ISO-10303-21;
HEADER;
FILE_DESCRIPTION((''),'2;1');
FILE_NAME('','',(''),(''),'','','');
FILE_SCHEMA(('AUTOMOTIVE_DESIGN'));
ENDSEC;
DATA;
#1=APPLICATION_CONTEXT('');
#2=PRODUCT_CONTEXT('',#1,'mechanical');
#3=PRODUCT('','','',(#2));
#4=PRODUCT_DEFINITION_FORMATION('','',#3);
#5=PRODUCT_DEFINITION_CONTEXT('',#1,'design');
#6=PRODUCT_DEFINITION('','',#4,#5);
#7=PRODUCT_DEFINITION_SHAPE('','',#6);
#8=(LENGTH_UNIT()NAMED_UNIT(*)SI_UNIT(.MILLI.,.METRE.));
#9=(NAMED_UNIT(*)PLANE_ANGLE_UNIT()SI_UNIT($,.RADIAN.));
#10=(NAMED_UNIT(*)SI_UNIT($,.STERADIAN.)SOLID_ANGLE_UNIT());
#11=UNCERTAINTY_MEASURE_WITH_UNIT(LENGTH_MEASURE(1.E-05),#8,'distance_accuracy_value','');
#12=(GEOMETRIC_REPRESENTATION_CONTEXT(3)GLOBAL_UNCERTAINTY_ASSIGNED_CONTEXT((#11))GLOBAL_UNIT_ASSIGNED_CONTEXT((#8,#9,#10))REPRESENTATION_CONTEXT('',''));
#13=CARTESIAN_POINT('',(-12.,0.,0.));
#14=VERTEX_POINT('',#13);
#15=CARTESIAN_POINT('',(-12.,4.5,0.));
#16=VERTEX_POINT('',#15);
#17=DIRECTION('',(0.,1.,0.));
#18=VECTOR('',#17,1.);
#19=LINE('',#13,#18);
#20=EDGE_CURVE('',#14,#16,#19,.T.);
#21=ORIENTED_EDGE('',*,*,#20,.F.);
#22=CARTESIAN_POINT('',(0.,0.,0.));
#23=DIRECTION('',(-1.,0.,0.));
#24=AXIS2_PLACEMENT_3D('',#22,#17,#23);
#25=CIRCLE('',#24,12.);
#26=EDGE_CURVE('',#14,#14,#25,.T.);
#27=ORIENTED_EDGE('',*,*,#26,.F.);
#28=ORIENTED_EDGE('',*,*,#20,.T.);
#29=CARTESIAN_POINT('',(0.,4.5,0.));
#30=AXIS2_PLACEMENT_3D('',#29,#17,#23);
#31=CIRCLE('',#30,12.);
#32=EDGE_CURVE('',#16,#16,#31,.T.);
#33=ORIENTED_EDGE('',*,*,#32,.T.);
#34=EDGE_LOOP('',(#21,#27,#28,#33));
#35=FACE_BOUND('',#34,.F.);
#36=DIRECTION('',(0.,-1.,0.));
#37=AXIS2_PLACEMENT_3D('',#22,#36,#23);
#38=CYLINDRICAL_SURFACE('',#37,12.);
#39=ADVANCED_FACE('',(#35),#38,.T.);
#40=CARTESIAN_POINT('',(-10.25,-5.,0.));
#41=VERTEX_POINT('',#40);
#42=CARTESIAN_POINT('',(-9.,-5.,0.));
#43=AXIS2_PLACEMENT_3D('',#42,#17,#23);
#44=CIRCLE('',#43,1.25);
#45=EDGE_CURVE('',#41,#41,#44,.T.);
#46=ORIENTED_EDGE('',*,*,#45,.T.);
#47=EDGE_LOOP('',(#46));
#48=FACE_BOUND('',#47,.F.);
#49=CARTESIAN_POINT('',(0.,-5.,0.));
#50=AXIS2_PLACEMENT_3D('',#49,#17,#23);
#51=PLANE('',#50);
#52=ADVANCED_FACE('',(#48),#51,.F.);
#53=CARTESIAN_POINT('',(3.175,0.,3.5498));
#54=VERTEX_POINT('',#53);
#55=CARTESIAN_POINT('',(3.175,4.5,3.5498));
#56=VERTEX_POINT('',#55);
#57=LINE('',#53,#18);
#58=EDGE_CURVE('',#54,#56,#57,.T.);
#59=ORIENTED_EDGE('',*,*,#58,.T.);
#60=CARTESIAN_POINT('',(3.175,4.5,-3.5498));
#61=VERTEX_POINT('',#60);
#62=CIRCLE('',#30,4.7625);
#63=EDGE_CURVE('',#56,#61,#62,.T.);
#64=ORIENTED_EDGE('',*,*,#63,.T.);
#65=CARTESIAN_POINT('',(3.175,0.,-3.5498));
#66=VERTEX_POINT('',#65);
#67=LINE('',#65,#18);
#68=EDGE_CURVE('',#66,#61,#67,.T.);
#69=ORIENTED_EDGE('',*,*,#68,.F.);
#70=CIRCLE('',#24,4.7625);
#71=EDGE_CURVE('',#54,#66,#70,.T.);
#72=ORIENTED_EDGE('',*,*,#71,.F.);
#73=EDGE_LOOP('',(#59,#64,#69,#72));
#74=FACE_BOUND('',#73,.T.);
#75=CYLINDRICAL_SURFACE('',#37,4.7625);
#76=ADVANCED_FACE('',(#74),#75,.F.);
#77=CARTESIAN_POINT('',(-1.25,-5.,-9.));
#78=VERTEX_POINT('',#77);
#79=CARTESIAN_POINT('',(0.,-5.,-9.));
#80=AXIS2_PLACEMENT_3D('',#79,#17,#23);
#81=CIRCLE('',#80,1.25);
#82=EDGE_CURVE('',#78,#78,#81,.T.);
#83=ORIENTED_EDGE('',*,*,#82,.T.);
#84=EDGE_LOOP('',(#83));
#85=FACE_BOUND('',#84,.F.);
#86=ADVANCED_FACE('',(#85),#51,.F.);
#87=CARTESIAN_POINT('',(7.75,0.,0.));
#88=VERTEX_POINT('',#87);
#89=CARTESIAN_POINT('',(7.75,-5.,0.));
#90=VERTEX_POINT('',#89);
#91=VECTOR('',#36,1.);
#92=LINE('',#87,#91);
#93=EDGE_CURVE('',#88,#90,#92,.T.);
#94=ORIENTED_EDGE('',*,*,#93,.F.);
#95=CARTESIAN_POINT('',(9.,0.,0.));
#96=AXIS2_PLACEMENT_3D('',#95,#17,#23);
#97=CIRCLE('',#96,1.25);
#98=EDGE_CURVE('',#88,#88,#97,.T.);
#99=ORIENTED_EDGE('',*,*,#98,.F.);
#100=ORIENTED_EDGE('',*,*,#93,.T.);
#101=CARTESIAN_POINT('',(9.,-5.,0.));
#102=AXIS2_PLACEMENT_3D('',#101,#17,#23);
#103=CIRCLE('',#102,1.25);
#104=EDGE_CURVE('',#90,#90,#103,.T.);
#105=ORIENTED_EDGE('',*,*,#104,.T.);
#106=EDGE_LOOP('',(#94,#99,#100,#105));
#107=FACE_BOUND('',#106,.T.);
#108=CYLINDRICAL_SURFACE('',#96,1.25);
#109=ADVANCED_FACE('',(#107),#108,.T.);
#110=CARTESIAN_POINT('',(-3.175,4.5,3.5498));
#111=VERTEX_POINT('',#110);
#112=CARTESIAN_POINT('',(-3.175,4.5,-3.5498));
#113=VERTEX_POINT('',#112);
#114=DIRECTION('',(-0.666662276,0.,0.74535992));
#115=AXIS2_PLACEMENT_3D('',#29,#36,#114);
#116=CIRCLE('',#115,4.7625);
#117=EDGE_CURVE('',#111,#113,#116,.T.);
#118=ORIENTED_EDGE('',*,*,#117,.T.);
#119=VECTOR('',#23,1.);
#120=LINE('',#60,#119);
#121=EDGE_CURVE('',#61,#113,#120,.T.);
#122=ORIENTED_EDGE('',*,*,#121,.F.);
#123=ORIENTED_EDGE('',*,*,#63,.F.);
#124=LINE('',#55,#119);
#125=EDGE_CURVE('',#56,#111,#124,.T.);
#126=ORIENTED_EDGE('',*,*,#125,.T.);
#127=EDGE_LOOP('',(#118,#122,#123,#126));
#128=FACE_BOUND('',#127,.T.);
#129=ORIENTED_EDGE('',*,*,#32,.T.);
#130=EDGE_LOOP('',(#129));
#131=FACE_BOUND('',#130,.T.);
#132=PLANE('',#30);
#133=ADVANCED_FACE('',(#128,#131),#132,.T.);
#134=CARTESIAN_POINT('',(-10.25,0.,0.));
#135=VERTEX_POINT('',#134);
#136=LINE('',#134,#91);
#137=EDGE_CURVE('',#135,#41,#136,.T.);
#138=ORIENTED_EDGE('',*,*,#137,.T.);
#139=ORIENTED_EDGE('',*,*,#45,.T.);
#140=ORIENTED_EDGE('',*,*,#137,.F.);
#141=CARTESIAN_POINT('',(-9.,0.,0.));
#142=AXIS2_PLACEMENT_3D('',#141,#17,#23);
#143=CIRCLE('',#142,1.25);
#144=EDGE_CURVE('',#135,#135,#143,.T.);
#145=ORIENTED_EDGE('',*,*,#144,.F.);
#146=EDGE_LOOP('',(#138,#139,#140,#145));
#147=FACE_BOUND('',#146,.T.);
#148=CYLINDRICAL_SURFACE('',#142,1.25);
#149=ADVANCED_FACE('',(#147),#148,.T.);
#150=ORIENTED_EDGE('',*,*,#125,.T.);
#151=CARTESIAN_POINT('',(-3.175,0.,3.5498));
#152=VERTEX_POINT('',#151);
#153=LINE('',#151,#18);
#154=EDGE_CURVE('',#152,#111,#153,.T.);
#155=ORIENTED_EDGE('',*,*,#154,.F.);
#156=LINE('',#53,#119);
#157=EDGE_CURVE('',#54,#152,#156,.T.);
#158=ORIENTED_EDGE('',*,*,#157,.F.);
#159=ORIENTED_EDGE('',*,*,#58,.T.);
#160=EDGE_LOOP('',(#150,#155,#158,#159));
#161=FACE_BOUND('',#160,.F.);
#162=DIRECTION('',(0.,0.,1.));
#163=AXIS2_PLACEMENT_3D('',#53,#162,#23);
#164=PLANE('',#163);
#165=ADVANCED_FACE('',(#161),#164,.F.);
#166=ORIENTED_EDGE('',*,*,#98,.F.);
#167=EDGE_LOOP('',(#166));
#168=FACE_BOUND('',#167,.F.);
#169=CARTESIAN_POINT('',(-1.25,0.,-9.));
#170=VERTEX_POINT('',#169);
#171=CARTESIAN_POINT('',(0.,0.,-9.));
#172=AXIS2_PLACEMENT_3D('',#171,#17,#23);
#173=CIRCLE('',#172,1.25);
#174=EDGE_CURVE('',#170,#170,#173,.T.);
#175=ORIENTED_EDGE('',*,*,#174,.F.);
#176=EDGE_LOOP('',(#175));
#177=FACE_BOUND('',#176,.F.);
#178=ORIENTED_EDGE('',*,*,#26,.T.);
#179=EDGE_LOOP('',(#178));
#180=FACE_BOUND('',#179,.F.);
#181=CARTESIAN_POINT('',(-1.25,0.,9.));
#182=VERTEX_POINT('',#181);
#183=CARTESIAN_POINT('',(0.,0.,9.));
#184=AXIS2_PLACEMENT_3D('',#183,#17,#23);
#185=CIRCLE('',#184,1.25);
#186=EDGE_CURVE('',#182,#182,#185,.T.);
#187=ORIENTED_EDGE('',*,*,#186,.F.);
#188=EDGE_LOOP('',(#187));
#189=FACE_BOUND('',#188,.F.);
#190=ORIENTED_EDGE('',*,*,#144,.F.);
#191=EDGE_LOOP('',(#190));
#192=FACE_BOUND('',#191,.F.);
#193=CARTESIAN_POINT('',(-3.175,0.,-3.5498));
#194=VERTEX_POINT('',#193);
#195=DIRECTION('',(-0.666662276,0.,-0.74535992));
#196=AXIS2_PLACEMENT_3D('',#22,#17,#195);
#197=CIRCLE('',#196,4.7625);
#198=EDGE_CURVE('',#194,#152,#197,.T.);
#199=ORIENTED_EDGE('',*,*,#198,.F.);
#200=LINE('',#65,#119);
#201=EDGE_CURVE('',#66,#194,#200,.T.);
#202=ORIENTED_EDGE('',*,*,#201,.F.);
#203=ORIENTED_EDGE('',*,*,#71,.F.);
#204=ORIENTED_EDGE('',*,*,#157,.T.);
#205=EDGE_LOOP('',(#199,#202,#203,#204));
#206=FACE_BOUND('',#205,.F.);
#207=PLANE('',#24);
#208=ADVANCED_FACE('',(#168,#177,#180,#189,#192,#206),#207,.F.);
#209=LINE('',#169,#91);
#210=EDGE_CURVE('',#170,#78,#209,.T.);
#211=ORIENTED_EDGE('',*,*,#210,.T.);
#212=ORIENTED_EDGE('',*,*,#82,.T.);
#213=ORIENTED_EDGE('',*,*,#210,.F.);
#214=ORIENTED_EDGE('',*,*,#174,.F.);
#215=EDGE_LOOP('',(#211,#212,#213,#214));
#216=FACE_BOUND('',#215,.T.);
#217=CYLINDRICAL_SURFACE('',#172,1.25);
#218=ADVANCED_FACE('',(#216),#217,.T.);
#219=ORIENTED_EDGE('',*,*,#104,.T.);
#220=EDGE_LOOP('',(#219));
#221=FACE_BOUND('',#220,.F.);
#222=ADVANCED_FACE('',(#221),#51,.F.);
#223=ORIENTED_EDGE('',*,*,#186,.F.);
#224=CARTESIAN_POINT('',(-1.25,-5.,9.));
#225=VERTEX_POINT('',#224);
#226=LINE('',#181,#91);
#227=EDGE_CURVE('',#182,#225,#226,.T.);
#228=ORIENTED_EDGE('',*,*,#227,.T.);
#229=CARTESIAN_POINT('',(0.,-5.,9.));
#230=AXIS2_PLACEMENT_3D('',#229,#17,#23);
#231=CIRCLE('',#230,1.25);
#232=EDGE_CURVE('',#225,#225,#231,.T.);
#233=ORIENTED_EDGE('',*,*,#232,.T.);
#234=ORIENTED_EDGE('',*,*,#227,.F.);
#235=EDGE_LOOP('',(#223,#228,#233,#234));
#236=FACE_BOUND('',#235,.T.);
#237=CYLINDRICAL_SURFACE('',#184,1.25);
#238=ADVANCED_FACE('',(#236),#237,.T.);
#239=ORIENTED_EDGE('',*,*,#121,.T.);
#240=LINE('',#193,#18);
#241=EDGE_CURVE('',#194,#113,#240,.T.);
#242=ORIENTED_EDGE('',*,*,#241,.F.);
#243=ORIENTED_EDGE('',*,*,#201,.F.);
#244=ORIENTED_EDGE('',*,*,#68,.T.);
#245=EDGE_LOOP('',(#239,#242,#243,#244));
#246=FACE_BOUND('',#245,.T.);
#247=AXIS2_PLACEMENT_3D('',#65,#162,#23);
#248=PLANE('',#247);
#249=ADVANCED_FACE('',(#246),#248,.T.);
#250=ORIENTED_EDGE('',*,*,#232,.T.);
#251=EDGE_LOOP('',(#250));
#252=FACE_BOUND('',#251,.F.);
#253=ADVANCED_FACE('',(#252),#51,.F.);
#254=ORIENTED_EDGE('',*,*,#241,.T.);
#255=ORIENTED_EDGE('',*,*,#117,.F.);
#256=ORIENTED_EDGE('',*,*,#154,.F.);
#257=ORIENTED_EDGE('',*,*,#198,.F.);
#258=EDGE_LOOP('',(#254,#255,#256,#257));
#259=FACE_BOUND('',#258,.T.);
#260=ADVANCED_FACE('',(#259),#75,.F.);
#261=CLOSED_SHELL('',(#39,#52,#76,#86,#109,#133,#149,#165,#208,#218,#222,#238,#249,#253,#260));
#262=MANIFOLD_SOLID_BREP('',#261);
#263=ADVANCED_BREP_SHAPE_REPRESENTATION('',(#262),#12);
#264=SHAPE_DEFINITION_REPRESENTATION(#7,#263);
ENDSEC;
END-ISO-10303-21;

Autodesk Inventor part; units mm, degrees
ref_plane "YZ Plane" through (0, 0, 0) normal (1, 0, 0) x (0, 1, 0)
ref_plane "XZ Plane" through (0, 0, 0) normal (0, 1, 0) x (-1, 0, 0)
ref_plane "XY Plane" through (0, 0, 0) normal (0, 0, 1) x (1, 0, 0)
sketch "Sketch1" plane through (0, 0, 0) normal (0, 1, 0) x (-1, 0, 0)
  circle A0 centre (0, 0) radius 12
  arc A1 (-0.484, 4.4186) -> (-1.3551, 4.2334) centre (0, 0) ccw construction
  arc A2 (-2.3154, 4.5441) -> (-2.0424, 3.145) centre (1.9294, 4.6461) ccw construction
  arc A3 (-2.0424, 3.145) -> (-2.36, 2.9143) centre (0, 0) ccw construction
  arc A4 (-2.36, 2.9143) -> (-3.6062, 3.6062) centre (-5.0149, -0.3993) ccw construction
  arc A5 (-3.6062, 3.6062) -> (-3.9634, 3.2095) centre (0, 0) ccw construction
  arc A6 (-3.9634, 3.2095) -> (-3.145, 2.0424) centre (-0.1271, 5.0291) ccw construction
  arc A7 (-3.145, 2.0424) -> (-3.3413, 1.7025) centre (0, 0) ccw construction
  arc A8 (-3.3413, 1.7025) -> (-4.7613, 1.8277) centre (-4.4189, -2.4045) ccw construction
  arc A9 (-4.7613, 1.8277) -> (-4.9262, 1.32) centre (0, 0) ccw construction
  arc A10 (-4.9262, 1.32) -> (-3.7038, 0.5866) centre (-2.1617, 4.5426) ccw construction
  arc A11 (-3.7038, 0.5866) -> (-3.7449, 0.1963) centre (0, 0) ccw construction
  arc A12 (-3.7449, 0.1963) -> (-5.093, -0.2669) centre (-3.0589, -3.9939) ccw construction
  arc A13 (-5.093, -0.2669) -> (-5.0372, -0.7978) centre (0, 0) ccw construction
  arc A14 (-5.0372, -0.7978) -> (-3.6222, -0.9706) centre (-3.8224, 3.2707) ccw construction
  arc A15 (-3.6222, -0.9706) -> (-3.5009, -1.3439) centre (0, 0) ccw construction
  arc A16 (-3.5009, -1.3439) -> (-4.5441, -2.3154) centre (-1.17, -4.8928) ccw construction
  arc A17 (-4.5441, -2.3154) -> (-4.2772, -2.7777) centre (0, 0) ccw construction
  arc A18 (-4.2772, -2.7777) -> (-2.9143, -2.36) centre (-4.8223, 1.4332) ccw construction
  arc A19 (-2.9143, -2.36) -> (-2.6517, -2.6517) centre (0, 0) ccw construction
  arc A20 (-2.6517, -2.6517) -> (-3.2095, -3.9634) centre (0.9213, -4.9457) ccw construction
  arc A21 (-3.2095, -3.9634) -> (-2.7777, -4.2772) centre (0, 0) ccw construction
  arc A22 (-2.7777, -4.2772) -> (-1.7025, -3.3413) centre (-4.9883, -0.6521) ccw construction
  arc A23 (-1.7025, -3.3413) -> (-1.3439, -3.5009) centre (0, 0) ccw construction
  arc A24 (-1.3439, -3.5009) -> (-1.32, -4.9262) centre (2.8532, -4.1434) ccw construction
  arc A25 (-1.32, -4.9262) -> (-0.7978, -5.0372) centre (0, 0) ccw construction
  arc A26 (-0.7978, -5.0372) -> (-0.1963, -3.7449) centre (-4.2918, -2.6247) ccw construction
  arc A27 (-0.1963, -3.7449) -> (0.1963, -3.7449) centre (0, 0) ccw construction
  arc A28 (0.1963, -3.7449) -> (0.7978, -5.0372) centre (4.2918, -2.6247) ccw construction
  arc A29 (0.7978, -5.0372) -> (1.32, -4.9262) centre (0, 0) ccw construction
  arc A30 (1.32, -4.9262) -> (1.3439, -3.5009) centre (-2.8532, -4.1434) ccw construction
  arc A31 (1.3439, -3.5009) -> (1.7025, -3.3413) centre (0, 0) ccw construction
  arc A32 (1.7025, -3.3413) -> (2.7777, -4.2772) centre (4.9883, -0.6521) ccw construction
  arc A33 (2.7777, -4.2772) -> (3.2095, -3.9634) centre (0, 0) ccw construction
  arc A34 (3.2095, -3.9634) -> (2.6517, -2.6517) centre (-0.9213, -4.9457) ccw construction
  arc A35 (2.6517, -2.6517) -> (2.9143, -2.36) centre (0, 0) ccw construction
  arc A36 (2.9143, -2.36) -> (4.2772, -2.7777) centre (4.8223, 1.4332) ccw construction
  arc A37 (4.2772, -2.7777) -> (4.5441, -2.3154) centre (0, 0) ccw construction
  arc A38 (4.5441, -2.3154) -> (3.5009, -1.3439) centre (1.17, -4.8928) ccw construction
  arc A39 (3.5009, -1.3439) -> (3.6222, -0.9706) centre (0, 0) ccw construction
  arc A40 (3.6222, -0.9706) -> (5.0372, -0.7978) centre (3.8224, 3.2707) ccw construction
  arc A41 (5.0372, -0.7978) -> (5.093, -0.2669) centre (0, 0) ccw construction
  arc A42 (5.093, -0.2669) -> (3.7449, 0.1963) centre (3.0589, -3.9939) ccw construction
  arc A43 (3.7449, 0.1963) -> (3.7038, 0.5866) centre (0, 0) ccw construction
  arc A44 (3.7038, 0.5866) -> (4.9262, 1.32) centre (2.1617, 4.5426) ccw construction
  arc A45 (4.9262, 1.32) -> (4.7613, 1.8277) centre (0, 0) ccw construction
  arc A46 (4.7613, 1.8277) -> (3.3413, 1.7025) centre (4.4189, -2.4045) ccw construction
  arc A47 (3.3413, 1.7025) -> (3.145, 2.0424) centre (0, 0) ccw construction
  arc A48 (3.145, 2.0424) -> (3.9634, 3.2095) centre (0.1271, 5.0291) ccw construction
  arc A49 (3.9634, 3.2095) -> (3.6062, 3.6062) centre (0, 0) ccw construction
  arc A50 (3.6062, 3.6062) -> (2.36, 2.9143) centre (5.0149, -0.3993) ccw construction
  arc A51 (2.36, 2.9143) -> (2.0424, 3.145) centre (0, 0) ccw construction
  arc A52 (2.0424, 3.145) -> (2.3154, 4.5441) centre (-1.9294, 4.6461) ccw construction
  arc A53 (2.3154, 4.5441) -> (1.8277, 4.7613) centre (0, 0) ccw construction
  arc A54 (1.8277, 4.7613) -> (0.9706, 3.6222) centre (4.7437, 1.675) ccw construction
  arc A55 (0.9706, 3.6222) -> (0.5866, 3.7038) centre (0, 0) ccw construction
  arc A56 (0.5866, 3.7038) -> (0.2669, 5.093) centre (-3.6523, 3.4596) ccw construction
  arc A57 (0.2669, 5.093) -> (-0.2669, 5.093) centre (0, 0) ccw construction
  arc A58 (-0.2669, 5.093) -> (-0.5866, 3.7038) centre (3.6523, 3.4596) ccw construction
  arc A59 (-0.5866, 3.7038) -> (-0.9706, 3.6222) centre (0, 0) ccw construction
  arc A60 (-0.9706, 3.6222) -> (-1.8277, 4.7613) centre (-4.7437, 1.675) ccw construction
  arc A61 (-1.8277, 4.7613) -> (-2.3154, 4.5441) centre (0, 0) ccw construction
  circle A62 centre (0, 0) radius 1.25 construction
  arc A63 (0.484, 4.4186) -> (-0.484, 4.4186) centre (0, 0) ccw construction
  arc A64 (1.3551, 4.2334) -> (0.484, 4.4186) centre (0, 0) ccw construction
  arc A65 (2.2393, 3.8397) -> (1.3551, 4.2334) centre (0, 0) ccw construction
  arc A66 (2.9598, 3.3163) -> (2.2393, 3.8397) centre (0, 0) ccw construction
  arc A67 (3.6075, 2.597) -> (2.9598, 3.3163) centre (0, 0) ccw construction
  arc A68 (4.0528, 1.8257) -> (3.6075, 2.597) centre (0, 0) ccw construction
  arc A69 (4.3519, 0.9051) -> (4.0528, 1.8257) centre (0, 0) ccw construction
  arc A70 (4.445, 0.0194) -> (4.3519, 0.9051) centre (0, 0) ccw construction
  arc A71 (4.3438, -0.9432) -> (4.445, 0.0194) centre (0, 0) ccw construction
  arc A72 (4.0686, -1.7902) -> (4.3438, -0.9432) centre (0, 0) ccw construction
  arc A73 (3.5846, -2.6284) -> (4.0686, -1.7902) centre (0, 0) ccw construction
  arc A74 (2.9887, -3.2902) -> (3.5846, -2.6284) centre (0, 0) ccw construction
  arc A75 (2.2056, -3.8592) -> (2.9887, -3.2902) centre (0, 0) ccw construction
  arc A76 (1.3921, -4.2214) -> (2.2056, -3.8592) centre (0, 0) ccw construction
  arc A77 (0.4453, -4.4226) -> (1.3921, -4.2214) centre (0, 0) ccw construction
  arc A78 (-0.4453, -4.4226) -> (0.4453, -4.4226) centre (0, 0) ccw construction
  arc A79 (-1.3921, -4.2214) -> (-0.4453, -4.4226) centre (0, 0) ccw construction
  arc A80 (-2.2056, -3.8592) -> (-1.3921, -4.2214) centre (0, 0) ccw construction
  arc A81 (-2.9887, -3.2902) -> (-2.2056, -3.8592) centre (0, 0) ccw construction
  arc A82 (-3.5846, -2.6284) -> (-2.9887, -3.2902) centre (0, 0) ccw construction
  arc A83 (-4.0686, -1.7902) -> (-3.5846, -2.6284) centre (0, 0) ccw construction
  arc A84 (-4.3438, -0.9432) -> (-4.0686, -1.7902) centre (0, 0) ccw construction
  arc A85 (-4.445, 0.0194) -> (-4.3438, -0.9432) centre (0, 0) ccw construction
  arc A86 (-4.3519, 0.9051) -> (-4.445, 0.0194) centre (0, 0) ccw construction
  arc A87 (-4.0528, 1.8257) -> (-4.3519, 0.9051) centre (0, 0) ccw construction
  arc A88 (-3.6075, 2.597) -> (-4.0528, 1.8257) centre (0, 0) ccw construction
  arc A89 (-2.9598, 3.3163) -> (-3.6075, 2.597) centre (0, 0) ccw construction
  arc A90 (-2.2393, 3.8397) -> (-2.9598, 3.3163) centre (0, 0) ccw construction
  arc A91 (-1.3551, 4.2334) -> (-2.2393, 3.8397) centre (0, 0) ccw construction
  circle A92 centre (0, 0) radius 9 construction
  circle A93 centre (0, 9) radius 1.25
  line L0 (0, 9) -> (0, 0) construction
  circle A94 centre (-9, 0) radius 1.25
  circle A95 centre (0, -9) radius 1.25
  circle A96 centre (9, 0) radius 1.25
  circle A97 centre (0, 0) radius 4.7625
  line L1 (-3.175, 3.5498) -> (3.175, 3.5498)
  line L2 (-3.175, -3.5498) -> (3.175, -3.5498)
  dimension "d1" = 8.89
  dimension "d2" = 18
  dimension "d3" = 24
  dimension "d4" = 2.5
  dimension "d7" = 360
  dimension "d13" = 9.525
  dimension "d14" = 6.35
extrude "Extrusion1" add sketch "Sketch1" along normal blind 4.5 contours A0 | A93 | A94 | A95 | A96 | L1 A97 | A97 L2
extrude "Extrusion2" add sketch "Sketch1" against normal blind 5 contours A93 | A94 | A95 | A96
properties part number "P60 Carrier Plate (output)" material "Steel"
